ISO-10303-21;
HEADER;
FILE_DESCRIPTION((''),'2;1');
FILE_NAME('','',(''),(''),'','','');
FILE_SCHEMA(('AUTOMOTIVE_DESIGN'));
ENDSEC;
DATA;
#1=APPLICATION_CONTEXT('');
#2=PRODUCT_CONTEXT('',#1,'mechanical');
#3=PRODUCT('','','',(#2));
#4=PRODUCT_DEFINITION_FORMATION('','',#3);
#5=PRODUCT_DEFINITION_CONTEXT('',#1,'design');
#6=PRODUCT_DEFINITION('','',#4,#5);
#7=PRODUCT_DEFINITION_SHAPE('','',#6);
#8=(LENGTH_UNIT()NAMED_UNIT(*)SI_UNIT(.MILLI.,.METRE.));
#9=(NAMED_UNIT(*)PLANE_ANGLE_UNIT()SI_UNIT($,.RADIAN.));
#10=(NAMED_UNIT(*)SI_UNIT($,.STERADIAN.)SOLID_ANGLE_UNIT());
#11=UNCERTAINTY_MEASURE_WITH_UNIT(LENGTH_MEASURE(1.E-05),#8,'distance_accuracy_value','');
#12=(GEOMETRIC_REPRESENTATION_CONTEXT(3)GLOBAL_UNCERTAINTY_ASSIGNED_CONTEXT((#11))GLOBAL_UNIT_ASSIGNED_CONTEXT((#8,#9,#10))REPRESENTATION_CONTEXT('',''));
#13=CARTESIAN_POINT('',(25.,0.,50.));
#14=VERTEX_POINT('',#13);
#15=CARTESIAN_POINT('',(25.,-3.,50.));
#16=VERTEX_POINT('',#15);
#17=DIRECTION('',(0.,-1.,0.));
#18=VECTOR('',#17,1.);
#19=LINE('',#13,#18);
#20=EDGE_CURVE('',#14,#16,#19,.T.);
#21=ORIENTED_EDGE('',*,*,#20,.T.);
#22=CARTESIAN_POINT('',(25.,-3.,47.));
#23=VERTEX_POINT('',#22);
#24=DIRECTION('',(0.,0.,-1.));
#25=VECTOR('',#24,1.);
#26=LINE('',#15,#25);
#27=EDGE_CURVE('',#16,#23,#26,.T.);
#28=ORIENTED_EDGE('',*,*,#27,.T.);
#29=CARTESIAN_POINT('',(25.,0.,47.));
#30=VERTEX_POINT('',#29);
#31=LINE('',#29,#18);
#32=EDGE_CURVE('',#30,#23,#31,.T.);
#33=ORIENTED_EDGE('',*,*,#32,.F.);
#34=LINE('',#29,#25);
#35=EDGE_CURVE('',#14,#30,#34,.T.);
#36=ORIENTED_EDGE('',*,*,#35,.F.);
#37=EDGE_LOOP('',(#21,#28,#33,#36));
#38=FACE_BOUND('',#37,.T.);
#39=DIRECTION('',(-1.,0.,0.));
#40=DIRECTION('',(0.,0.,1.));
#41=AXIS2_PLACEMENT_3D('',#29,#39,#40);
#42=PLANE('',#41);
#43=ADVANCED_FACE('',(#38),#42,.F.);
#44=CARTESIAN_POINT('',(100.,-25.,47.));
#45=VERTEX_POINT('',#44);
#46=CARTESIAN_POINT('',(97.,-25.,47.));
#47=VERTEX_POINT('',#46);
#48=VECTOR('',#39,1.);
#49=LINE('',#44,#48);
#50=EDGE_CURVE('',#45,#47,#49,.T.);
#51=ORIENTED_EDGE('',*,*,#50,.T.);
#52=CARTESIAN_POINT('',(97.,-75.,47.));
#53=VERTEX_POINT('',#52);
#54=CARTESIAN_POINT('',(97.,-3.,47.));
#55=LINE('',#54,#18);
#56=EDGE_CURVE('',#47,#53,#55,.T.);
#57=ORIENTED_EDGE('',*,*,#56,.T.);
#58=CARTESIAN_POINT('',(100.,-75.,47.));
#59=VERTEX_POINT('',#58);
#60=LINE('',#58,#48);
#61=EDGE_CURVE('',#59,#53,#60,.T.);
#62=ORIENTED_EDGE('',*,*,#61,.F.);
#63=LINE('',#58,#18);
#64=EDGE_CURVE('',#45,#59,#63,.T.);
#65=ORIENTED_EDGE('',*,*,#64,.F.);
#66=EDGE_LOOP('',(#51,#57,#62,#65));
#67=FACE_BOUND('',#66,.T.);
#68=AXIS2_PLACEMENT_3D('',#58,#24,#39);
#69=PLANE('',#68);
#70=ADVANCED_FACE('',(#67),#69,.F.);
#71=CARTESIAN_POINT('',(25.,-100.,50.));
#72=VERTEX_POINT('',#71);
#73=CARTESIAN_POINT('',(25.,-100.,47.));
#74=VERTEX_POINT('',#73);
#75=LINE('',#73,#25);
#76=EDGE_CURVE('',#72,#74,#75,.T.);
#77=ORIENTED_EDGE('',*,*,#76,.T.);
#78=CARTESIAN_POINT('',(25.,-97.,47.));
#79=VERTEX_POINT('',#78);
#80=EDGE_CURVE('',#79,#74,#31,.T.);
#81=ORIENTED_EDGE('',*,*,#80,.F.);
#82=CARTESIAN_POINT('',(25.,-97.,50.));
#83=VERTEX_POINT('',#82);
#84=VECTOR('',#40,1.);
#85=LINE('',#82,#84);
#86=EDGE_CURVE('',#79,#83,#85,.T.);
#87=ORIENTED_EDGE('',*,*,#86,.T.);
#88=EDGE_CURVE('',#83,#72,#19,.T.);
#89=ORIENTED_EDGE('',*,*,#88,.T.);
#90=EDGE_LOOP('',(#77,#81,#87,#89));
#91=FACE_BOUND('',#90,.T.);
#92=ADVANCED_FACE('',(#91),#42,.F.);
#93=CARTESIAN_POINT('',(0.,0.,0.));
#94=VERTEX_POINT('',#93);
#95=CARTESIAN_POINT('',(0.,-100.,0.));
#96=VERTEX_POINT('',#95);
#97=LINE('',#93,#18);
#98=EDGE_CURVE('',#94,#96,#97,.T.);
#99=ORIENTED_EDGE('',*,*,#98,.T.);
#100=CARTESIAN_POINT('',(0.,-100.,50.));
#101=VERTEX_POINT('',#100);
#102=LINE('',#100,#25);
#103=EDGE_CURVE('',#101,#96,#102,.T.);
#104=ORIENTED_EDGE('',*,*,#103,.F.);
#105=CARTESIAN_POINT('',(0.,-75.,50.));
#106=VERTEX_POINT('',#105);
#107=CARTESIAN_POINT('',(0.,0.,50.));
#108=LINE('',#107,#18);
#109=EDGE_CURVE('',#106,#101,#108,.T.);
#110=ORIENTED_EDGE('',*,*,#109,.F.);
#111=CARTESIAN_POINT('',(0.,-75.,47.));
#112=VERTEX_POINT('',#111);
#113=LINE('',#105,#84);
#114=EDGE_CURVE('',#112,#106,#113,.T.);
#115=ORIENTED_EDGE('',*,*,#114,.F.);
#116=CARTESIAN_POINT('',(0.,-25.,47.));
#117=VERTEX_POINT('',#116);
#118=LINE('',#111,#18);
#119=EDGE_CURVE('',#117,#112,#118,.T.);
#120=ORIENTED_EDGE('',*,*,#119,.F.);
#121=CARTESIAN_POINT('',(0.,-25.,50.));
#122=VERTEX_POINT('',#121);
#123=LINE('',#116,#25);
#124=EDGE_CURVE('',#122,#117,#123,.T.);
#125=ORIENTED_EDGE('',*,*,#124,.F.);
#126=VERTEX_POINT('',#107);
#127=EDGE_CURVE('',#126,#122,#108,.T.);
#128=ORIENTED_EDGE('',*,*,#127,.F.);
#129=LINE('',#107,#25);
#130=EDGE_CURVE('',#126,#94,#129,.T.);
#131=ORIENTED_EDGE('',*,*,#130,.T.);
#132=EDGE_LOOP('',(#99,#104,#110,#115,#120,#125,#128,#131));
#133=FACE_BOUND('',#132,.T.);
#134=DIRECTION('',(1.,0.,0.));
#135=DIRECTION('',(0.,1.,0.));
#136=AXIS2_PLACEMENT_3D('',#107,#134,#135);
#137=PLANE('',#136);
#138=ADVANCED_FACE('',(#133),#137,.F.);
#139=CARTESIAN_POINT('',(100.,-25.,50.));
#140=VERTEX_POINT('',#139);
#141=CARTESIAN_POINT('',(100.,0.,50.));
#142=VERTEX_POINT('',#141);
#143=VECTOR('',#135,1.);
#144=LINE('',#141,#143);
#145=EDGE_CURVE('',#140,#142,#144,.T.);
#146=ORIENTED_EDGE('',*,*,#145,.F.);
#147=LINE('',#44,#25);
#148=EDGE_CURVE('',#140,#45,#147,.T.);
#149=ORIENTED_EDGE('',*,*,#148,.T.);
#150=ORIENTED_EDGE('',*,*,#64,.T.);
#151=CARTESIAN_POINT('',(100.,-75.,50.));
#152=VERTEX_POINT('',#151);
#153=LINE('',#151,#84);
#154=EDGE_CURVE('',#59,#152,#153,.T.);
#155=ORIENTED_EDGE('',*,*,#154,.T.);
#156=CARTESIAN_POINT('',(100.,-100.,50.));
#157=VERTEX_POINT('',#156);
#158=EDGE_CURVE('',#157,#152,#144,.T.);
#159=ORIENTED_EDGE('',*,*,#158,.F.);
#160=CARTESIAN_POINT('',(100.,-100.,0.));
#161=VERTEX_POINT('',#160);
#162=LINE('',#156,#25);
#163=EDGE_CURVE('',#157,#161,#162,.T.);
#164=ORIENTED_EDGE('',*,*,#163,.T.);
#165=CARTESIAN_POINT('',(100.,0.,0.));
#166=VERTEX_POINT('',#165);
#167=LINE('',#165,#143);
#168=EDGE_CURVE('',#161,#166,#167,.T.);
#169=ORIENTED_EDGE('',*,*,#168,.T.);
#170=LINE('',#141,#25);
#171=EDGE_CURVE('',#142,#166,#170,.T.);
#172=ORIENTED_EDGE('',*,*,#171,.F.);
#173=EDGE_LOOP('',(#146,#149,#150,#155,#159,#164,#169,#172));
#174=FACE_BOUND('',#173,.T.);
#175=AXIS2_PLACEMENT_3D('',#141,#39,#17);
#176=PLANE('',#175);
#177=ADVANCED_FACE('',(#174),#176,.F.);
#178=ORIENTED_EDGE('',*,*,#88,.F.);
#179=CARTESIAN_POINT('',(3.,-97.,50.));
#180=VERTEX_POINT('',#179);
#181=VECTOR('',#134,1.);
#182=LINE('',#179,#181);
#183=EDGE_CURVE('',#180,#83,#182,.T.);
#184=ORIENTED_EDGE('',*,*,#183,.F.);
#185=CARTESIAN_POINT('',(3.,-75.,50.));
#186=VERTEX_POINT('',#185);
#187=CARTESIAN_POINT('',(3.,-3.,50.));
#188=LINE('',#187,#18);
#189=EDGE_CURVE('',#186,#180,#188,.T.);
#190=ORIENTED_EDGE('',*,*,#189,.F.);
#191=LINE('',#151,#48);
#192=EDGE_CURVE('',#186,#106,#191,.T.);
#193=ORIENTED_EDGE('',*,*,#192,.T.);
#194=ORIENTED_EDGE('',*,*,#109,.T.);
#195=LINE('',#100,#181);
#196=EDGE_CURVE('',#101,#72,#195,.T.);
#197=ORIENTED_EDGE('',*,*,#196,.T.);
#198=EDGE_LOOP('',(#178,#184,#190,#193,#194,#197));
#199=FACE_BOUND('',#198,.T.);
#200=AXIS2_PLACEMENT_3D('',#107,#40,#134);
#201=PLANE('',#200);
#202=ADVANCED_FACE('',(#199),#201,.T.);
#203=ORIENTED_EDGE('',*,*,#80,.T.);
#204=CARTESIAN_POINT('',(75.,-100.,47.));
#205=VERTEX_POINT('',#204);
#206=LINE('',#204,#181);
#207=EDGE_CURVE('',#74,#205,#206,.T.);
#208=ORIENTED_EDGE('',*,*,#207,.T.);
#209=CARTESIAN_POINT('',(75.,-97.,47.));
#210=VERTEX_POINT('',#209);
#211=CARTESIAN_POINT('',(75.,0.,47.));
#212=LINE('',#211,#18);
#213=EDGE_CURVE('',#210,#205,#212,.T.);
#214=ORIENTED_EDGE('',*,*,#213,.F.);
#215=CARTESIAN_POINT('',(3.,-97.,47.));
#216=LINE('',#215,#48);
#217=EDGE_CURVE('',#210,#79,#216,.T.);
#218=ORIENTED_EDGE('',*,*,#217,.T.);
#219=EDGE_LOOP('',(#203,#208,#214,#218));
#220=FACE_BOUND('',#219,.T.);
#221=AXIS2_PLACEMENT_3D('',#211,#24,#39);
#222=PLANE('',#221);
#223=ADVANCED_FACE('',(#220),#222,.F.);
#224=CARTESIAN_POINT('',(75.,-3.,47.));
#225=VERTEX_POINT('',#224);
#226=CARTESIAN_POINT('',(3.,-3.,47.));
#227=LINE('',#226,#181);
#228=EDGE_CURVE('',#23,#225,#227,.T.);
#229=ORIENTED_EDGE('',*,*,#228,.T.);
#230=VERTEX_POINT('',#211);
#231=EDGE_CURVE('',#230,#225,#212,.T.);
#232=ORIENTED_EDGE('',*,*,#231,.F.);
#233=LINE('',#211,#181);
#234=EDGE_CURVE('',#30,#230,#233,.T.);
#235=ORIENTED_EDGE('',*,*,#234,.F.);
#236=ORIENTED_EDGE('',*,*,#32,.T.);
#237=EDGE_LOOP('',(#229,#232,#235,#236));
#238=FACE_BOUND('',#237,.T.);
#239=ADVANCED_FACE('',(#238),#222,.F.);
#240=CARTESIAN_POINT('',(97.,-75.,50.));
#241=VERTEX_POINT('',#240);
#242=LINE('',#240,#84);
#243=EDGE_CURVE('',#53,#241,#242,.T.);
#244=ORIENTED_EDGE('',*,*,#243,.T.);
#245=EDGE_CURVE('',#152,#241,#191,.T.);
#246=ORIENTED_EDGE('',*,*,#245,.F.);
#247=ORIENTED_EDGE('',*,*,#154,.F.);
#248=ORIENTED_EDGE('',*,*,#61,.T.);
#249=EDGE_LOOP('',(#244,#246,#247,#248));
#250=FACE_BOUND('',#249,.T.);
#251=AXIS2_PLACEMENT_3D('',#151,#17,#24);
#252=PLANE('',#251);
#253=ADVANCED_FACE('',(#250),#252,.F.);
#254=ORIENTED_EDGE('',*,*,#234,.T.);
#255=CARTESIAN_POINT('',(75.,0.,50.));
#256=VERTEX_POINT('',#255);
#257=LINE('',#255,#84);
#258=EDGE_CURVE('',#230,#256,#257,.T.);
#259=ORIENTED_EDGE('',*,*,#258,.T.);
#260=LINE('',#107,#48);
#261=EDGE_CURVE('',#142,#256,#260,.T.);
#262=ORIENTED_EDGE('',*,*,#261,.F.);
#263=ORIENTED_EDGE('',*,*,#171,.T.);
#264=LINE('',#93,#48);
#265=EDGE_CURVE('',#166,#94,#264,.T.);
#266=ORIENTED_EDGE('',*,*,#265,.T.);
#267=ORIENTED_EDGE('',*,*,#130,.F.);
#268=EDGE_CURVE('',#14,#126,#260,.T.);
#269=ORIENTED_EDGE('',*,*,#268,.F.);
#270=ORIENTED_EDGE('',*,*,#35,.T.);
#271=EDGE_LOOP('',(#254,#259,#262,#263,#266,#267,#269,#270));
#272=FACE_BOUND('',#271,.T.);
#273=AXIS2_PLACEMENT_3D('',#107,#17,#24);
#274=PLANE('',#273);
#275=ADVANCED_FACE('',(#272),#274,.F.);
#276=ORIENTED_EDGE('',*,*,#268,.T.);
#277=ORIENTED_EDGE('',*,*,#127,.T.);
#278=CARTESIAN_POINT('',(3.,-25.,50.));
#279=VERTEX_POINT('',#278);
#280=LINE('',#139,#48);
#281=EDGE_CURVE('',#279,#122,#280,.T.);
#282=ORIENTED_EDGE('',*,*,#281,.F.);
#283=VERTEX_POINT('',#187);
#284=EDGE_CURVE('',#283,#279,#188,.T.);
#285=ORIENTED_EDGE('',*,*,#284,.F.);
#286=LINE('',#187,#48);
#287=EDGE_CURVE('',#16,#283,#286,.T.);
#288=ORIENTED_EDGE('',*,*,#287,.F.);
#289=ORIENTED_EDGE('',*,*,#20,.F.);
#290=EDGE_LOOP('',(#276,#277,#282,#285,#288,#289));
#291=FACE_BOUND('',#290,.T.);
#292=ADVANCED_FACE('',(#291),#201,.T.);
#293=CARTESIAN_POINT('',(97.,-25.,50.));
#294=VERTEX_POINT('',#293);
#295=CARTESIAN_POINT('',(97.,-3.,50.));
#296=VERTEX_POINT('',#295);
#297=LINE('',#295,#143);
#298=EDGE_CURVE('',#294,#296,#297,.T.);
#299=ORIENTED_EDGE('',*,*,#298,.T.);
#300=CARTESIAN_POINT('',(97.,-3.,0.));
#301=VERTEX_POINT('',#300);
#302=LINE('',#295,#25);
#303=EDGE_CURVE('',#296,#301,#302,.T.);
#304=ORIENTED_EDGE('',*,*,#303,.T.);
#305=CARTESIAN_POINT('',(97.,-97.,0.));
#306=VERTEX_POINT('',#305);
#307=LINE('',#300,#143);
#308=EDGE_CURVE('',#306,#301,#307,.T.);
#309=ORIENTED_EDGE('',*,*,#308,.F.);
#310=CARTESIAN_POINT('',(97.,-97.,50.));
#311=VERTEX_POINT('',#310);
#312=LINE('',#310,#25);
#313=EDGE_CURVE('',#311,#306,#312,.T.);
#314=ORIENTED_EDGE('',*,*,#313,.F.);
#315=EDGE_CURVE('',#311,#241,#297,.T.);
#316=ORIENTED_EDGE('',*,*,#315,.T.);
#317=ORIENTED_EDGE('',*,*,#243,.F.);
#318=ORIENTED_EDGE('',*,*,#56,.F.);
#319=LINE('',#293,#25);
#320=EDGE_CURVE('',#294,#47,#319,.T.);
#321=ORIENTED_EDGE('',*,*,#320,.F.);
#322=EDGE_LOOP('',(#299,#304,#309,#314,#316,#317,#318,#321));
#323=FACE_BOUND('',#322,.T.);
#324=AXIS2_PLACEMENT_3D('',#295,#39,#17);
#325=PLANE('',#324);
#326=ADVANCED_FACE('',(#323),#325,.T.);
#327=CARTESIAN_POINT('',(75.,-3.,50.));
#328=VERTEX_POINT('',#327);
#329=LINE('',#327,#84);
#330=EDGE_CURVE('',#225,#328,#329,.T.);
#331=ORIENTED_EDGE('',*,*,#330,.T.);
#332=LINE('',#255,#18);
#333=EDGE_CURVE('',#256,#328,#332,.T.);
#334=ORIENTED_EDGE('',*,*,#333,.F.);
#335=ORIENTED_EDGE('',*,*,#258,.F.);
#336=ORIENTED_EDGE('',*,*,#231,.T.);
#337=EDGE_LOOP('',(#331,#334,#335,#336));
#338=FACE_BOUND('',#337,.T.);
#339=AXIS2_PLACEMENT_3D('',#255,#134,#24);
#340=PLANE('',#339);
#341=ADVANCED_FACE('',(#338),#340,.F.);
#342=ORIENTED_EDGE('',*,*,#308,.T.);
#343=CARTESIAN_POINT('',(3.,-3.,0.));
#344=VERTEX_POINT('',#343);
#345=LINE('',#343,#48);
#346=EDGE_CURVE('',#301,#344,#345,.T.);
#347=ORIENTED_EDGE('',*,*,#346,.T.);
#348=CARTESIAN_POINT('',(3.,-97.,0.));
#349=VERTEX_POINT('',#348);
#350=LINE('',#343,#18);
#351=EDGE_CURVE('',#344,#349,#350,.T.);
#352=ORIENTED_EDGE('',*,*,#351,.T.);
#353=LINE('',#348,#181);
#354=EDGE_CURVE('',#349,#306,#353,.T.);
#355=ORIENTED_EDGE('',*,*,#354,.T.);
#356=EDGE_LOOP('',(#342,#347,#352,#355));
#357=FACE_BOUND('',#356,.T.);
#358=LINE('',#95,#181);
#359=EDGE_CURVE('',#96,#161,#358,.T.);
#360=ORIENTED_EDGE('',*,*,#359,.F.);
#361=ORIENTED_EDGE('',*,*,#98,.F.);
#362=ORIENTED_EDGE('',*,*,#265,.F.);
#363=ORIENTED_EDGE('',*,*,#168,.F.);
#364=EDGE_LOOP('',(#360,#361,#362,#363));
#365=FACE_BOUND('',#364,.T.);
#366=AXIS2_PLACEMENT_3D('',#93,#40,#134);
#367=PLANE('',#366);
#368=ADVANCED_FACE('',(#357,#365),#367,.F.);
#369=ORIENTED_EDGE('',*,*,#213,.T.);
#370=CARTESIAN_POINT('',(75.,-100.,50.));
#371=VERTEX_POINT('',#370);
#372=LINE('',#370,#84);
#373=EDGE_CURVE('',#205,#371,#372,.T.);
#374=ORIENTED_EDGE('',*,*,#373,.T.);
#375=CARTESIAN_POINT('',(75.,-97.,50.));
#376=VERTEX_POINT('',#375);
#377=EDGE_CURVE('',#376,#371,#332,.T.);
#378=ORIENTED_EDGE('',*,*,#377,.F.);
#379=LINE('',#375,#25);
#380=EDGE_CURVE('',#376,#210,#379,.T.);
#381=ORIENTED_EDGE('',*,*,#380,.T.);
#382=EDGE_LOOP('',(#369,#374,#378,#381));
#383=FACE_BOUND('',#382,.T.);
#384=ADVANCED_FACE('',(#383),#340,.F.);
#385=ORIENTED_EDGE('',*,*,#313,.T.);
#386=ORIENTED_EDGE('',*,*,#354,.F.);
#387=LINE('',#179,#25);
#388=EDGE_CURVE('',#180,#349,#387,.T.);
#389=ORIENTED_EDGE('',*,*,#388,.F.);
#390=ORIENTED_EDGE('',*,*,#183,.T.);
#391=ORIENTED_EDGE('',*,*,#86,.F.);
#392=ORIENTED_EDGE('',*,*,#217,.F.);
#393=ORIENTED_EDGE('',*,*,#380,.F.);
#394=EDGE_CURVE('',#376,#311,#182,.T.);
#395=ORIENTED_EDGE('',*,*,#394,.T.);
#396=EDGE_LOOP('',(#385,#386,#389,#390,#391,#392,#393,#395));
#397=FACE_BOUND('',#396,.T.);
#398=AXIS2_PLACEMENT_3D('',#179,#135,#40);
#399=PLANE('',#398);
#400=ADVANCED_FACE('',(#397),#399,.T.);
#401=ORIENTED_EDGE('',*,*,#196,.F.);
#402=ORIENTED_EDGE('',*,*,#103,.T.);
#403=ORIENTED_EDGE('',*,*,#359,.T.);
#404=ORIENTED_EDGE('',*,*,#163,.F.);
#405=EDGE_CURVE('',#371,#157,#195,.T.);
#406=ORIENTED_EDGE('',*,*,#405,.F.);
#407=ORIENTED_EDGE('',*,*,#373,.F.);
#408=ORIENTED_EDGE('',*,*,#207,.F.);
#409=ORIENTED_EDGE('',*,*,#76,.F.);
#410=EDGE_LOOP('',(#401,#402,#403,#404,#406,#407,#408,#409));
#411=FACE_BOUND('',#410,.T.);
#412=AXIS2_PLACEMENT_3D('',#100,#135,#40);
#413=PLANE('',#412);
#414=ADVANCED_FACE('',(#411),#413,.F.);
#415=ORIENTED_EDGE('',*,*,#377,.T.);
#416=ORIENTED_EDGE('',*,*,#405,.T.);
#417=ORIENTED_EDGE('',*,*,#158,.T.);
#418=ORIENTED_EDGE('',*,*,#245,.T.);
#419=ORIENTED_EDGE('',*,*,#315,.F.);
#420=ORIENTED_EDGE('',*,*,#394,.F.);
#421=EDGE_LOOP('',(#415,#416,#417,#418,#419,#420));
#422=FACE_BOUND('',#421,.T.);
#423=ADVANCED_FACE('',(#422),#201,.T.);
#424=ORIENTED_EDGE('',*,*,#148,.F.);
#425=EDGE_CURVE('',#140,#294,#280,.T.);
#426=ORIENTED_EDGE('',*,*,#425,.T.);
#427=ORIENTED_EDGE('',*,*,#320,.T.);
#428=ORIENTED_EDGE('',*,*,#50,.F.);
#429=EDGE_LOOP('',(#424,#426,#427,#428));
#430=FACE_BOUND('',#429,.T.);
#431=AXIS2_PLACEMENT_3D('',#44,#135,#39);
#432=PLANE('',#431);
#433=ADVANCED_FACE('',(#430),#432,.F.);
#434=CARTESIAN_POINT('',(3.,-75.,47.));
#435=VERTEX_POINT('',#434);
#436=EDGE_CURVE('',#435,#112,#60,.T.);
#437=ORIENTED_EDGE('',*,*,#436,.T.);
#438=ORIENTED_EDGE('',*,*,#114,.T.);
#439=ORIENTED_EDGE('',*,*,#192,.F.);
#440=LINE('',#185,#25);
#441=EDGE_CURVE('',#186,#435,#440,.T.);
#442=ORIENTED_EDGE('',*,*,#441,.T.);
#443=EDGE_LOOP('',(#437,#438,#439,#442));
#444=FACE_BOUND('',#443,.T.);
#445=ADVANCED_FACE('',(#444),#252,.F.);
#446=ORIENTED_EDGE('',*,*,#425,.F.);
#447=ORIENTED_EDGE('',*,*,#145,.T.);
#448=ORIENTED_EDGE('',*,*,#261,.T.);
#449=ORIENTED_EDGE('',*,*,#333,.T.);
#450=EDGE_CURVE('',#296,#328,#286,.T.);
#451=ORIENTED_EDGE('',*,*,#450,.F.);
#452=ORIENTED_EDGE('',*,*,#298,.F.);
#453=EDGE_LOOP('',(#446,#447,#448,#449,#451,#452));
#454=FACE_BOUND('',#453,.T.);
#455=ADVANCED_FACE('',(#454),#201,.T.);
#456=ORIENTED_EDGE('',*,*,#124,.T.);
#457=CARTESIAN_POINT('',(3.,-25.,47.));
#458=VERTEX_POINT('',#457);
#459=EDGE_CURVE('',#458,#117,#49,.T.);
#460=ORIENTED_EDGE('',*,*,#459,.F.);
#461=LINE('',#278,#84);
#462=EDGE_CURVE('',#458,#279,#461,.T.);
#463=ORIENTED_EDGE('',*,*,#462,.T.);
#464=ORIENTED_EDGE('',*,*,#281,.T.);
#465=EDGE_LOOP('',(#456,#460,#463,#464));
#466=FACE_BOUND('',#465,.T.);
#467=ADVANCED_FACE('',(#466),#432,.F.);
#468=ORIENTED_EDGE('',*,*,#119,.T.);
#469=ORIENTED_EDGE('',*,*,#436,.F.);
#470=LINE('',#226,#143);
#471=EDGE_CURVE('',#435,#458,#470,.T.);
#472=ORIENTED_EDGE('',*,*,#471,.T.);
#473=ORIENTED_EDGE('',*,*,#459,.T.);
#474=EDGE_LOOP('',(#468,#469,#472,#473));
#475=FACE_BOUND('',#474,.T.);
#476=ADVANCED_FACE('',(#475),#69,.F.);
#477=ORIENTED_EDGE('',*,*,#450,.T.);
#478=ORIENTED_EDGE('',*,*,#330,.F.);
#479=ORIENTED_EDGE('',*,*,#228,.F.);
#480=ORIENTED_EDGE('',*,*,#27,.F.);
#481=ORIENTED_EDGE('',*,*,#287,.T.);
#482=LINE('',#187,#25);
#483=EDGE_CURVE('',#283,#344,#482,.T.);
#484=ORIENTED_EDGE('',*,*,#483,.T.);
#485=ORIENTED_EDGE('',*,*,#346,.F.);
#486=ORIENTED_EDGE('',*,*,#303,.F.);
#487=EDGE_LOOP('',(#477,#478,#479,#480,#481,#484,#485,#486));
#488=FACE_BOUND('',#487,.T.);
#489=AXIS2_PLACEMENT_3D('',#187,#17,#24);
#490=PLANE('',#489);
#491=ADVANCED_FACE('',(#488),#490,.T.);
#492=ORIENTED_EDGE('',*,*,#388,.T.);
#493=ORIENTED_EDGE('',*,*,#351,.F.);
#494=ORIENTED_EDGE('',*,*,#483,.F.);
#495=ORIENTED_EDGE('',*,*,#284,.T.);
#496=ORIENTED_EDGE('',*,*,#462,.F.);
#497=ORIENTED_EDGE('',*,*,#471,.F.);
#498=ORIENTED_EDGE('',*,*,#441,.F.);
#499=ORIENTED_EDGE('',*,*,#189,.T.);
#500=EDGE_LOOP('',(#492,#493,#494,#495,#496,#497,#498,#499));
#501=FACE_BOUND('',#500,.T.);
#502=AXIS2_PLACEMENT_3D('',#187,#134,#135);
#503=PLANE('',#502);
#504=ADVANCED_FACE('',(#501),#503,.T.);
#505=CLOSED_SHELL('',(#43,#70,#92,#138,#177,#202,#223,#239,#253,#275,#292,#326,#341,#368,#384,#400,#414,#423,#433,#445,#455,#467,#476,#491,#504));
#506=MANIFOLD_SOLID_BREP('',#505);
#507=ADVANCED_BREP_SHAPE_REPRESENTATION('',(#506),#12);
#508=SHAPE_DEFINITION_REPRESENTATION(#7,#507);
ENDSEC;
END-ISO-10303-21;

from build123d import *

# Parameters (mm, degrees)
SKETCH_1_W          = 100
SKETCH_1_H          = 100
SKETCH_1_W_2        = 94
SKETCH_1_H_2        = 94
EXTRUDE_1_DEPTH     = 50
SKETCH_2_W          = 3
SKETCH_2_H          = 50
CUT_EXTRUDE_1_DEPTH = 151
SKETCH_3_W          = 50
SKETCH_3_H          = 3
CUT_EXTRUDE_2_DEPTH = 151


with BuildPart() as part:
    # 草图1 → 凸台-拉伸1 (new body)
    with BuildSketch(Plane.XY):
        with Locations((50, -50)):
            Rectangle(SKETCH_1_W, SKETCH_1_H)
        with Locations((50, -50)):
            Rectangle(SKETCH_1_W_2, SKETCH_1_H_2, mode=Mode.SUBTRACT)
    extrude(amount=EXTRUDE_1_DEPTH)

    # 草图2 → 切除-拉伸1 (cut, through all)
    with BuildSketch(Plane.ZY):
        with Locations((48.5, -50)):
            Rectangle(SKETCH_2_W, SKETCH_2_H)
    extrude(amount=-CUT_EXTRUDE_1_DEPTH, mode=Mode.SUBTRACT)

    # 草图3 → 切除-拉伸2 (cut, through all)
    with BuildSketch(Plane.XZ.offset(100)):
        with Locations((50, 48.5)):
            Rectangle(SKETCH_3_W, SKETCH_3_H)
    extrude(amount=-CUT_EXTRUDE_2_DEPTH, mode=Mode.SUBTRACT)


solid = part.part
